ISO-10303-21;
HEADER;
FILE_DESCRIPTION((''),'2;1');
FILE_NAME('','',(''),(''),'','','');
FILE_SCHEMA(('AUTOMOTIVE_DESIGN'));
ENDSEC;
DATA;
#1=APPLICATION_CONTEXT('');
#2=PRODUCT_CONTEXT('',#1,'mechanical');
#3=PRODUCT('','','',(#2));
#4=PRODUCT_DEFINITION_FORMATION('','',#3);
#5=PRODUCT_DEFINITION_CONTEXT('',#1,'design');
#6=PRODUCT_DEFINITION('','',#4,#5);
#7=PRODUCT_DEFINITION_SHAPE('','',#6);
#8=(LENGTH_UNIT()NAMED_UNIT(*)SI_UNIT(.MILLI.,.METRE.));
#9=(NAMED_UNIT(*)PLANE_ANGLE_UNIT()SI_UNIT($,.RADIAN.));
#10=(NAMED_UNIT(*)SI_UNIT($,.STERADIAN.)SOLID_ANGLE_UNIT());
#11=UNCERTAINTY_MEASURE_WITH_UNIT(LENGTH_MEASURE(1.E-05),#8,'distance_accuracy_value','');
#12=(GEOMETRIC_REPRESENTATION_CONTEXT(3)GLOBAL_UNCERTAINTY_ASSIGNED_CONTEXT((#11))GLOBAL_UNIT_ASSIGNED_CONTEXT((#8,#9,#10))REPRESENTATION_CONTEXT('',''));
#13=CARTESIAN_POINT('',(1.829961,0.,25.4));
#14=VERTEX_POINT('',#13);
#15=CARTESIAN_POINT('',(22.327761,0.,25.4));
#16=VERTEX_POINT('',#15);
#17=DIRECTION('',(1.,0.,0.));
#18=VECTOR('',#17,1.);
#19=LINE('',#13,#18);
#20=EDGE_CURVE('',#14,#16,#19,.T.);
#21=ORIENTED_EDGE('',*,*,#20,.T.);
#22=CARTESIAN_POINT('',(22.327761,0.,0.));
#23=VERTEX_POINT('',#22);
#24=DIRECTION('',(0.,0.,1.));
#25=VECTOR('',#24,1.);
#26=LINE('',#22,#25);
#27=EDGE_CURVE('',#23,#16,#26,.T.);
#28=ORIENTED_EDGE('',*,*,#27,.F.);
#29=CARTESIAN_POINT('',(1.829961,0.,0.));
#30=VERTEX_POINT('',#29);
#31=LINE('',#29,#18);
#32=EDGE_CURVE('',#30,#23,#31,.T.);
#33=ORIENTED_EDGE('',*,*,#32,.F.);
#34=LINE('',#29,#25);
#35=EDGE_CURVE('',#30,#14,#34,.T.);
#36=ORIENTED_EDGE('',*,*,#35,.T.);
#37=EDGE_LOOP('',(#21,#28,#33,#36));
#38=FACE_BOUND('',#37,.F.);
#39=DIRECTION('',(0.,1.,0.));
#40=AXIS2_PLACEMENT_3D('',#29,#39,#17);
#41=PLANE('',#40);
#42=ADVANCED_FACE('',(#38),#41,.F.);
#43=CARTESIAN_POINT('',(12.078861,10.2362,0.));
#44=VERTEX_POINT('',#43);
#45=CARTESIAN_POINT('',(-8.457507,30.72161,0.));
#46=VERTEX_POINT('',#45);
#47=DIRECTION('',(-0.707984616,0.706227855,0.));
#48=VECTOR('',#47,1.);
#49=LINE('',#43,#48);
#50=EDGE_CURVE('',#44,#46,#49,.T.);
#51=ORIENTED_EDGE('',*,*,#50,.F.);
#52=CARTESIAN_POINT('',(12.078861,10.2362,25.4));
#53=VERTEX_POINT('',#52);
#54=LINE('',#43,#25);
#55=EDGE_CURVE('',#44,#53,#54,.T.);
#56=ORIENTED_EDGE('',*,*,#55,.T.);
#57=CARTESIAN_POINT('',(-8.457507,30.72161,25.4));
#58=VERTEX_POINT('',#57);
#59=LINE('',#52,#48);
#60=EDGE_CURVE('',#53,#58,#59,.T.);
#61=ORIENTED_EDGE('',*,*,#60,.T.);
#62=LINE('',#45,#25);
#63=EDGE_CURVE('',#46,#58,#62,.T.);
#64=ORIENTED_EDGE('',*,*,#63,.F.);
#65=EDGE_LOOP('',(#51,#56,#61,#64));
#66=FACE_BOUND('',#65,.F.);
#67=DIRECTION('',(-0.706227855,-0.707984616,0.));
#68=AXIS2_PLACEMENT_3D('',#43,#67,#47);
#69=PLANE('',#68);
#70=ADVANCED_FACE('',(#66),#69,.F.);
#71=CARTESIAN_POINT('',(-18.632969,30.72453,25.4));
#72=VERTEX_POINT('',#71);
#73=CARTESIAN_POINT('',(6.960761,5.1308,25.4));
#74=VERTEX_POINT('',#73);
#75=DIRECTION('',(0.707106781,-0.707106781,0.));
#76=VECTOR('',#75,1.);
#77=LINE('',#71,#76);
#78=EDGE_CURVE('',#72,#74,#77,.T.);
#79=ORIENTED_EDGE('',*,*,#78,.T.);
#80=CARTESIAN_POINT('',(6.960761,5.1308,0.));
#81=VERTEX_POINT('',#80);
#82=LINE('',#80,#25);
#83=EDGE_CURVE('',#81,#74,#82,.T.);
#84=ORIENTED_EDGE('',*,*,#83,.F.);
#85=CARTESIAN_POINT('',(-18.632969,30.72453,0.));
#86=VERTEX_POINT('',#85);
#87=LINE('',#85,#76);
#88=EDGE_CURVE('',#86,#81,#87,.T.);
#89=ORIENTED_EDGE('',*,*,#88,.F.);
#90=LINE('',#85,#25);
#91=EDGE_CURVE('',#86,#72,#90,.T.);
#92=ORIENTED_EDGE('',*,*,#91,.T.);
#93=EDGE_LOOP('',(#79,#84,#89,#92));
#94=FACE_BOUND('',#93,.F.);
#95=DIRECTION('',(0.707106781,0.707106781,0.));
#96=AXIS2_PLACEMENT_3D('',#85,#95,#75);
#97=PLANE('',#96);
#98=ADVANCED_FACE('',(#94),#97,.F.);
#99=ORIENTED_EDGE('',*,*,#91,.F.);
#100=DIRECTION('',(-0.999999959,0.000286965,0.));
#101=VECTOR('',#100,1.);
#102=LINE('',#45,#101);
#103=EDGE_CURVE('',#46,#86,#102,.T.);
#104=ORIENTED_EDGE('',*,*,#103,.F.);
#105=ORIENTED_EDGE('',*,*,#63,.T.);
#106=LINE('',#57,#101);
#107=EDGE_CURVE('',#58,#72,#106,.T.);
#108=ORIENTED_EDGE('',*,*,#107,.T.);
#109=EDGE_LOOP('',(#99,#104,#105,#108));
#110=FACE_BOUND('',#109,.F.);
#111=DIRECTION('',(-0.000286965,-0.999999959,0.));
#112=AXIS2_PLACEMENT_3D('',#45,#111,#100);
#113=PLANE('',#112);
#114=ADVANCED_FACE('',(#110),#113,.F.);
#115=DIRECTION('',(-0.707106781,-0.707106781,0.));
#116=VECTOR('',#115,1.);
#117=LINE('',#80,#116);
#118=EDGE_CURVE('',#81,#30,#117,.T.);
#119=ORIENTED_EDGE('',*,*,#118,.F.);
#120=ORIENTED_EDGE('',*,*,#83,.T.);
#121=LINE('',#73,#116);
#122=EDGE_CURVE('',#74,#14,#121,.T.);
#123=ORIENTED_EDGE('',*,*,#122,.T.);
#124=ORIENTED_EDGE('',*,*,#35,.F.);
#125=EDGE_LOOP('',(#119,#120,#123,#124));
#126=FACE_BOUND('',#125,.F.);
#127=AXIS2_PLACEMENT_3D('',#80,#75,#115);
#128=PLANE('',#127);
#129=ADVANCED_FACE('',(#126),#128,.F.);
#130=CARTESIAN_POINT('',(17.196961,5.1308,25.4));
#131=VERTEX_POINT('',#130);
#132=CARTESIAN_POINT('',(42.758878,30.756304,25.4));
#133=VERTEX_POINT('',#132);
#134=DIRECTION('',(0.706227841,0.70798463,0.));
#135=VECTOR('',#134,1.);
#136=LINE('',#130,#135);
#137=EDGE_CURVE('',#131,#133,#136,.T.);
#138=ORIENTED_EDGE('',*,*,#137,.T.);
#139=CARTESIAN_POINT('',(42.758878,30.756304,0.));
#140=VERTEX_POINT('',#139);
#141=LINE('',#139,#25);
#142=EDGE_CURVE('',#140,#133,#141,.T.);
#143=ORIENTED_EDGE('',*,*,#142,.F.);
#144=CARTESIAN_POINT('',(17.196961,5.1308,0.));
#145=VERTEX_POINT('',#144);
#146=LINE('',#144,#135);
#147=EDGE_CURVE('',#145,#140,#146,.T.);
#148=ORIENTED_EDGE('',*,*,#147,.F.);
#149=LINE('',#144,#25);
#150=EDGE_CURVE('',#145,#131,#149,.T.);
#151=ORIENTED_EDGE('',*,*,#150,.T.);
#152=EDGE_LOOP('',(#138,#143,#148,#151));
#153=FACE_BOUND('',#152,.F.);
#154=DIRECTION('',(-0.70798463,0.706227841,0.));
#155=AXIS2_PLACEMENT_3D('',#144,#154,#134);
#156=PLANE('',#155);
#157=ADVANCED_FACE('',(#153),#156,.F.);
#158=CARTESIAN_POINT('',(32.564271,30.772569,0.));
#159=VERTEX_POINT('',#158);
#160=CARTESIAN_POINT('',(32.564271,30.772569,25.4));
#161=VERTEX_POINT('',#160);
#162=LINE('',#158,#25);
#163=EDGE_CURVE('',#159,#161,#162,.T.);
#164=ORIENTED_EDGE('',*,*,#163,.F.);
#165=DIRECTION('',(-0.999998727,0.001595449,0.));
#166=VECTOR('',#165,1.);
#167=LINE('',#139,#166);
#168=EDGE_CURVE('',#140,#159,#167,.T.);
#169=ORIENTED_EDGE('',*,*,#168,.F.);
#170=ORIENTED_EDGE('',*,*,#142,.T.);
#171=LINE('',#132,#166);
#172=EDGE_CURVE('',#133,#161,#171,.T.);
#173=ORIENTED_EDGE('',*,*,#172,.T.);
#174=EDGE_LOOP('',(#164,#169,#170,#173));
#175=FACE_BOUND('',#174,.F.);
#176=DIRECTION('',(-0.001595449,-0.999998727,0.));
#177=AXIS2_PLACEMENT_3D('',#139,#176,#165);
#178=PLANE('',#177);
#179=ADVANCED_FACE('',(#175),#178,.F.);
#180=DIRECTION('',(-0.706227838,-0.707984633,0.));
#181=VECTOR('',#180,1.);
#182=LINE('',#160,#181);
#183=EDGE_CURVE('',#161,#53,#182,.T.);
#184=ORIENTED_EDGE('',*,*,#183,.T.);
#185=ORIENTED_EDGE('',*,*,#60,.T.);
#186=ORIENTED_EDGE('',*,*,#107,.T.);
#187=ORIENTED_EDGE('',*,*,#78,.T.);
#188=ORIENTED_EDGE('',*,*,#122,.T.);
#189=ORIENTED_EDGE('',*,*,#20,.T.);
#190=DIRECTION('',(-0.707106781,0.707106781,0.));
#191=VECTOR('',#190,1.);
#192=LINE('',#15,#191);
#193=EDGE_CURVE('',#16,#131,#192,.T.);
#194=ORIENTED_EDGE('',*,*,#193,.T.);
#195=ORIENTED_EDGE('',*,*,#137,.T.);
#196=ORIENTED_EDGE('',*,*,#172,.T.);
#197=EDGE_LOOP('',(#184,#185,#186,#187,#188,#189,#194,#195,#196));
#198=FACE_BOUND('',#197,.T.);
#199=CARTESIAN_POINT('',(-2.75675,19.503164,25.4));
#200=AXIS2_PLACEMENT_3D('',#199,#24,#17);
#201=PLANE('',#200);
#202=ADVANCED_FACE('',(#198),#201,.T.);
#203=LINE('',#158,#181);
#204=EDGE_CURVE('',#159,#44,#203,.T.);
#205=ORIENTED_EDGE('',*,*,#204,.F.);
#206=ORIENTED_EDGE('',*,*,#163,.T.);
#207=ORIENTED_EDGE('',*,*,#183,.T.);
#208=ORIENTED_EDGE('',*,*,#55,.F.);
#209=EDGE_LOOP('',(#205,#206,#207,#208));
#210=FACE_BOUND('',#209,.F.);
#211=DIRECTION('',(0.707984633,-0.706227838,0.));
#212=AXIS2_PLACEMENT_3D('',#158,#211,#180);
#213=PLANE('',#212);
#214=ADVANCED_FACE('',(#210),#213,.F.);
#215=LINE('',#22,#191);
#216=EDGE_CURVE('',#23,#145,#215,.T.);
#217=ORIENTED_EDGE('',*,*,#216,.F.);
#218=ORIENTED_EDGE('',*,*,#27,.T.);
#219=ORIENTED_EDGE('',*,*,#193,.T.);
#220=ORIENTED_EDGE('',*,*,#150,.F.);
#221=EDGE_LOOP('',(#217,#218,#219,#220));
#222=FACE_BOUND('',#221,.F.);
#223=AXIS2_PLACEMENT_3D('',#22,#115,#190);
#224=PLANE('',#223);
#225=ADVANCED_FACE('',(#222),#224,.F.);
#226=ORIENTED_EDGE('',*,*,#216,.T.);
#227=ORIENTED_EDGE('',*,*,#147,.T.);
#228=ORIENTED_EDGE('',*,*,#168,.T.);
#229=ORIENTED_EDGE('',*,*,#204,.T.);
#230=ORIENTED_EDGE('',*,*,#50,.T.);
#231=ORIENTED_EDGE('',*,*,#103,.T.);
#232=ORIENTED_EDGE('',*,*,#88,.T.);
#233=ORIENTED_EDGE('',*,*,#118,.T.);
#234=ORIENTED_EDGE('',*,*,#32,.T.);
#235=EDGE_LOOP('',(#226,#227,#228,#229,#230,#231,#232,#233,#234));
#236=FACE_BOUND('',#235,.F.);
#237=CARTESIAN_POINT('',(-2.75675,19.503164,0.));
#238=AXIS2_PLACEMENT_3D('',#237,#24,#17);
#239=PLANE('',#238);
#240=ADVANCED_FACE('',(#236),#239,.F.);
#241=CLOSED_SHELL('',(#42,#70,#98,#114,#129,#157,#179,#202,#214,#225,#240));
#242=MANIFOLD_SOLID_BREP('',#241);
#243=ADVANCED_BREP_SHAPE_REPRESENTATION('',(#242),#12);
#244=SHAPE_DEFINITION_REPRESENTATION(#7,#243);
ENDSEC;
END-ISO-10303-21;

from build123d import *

# Parameters (mm, degrees)
F0_W     = 5.1181
F0_H     = 5.1308
F1_DEPTH = 25.4


with BuildPart() as f1:
    # F0 (on Top) → F1 (new body)
    with BuildSketch(Plane.XY):
        Polygon((-18.632969, 30.72453), (6.960761, 5.1308), (12.078861, 10.2362), (-8.457507, 30.72161), align=None)
        Polygon((32.564271, 30.772569), (12.078861, 10.2362), (17.196961, 5.1308), (42.758878, 30.756304), align=None)
        Polygon((12.078861, 10.2362), (12.078861, 5.1308), (17.196961, 5.1308), align=None)
        Polygon((12.078861, 10.2362), (6.960761, 5.1308), (12.078861, 5.1308), align=None)
        Polygon((6.960761, 5.1308), (1.829961, 0), (6.960761, 0), align=None)
        with Locations((9.519811, 2.5654)):
            Rectangle(F0_W, F0_H)
        with Locations((14.637911, 2.5654)):
            Rectangle(F0_W, F0_H)
        Polygon((17.196961, 5.1308), (17.196961, 0), (22.327761, 0), align=None)
    extrude(amount=F1_DEPTH)


solid = f1.part
